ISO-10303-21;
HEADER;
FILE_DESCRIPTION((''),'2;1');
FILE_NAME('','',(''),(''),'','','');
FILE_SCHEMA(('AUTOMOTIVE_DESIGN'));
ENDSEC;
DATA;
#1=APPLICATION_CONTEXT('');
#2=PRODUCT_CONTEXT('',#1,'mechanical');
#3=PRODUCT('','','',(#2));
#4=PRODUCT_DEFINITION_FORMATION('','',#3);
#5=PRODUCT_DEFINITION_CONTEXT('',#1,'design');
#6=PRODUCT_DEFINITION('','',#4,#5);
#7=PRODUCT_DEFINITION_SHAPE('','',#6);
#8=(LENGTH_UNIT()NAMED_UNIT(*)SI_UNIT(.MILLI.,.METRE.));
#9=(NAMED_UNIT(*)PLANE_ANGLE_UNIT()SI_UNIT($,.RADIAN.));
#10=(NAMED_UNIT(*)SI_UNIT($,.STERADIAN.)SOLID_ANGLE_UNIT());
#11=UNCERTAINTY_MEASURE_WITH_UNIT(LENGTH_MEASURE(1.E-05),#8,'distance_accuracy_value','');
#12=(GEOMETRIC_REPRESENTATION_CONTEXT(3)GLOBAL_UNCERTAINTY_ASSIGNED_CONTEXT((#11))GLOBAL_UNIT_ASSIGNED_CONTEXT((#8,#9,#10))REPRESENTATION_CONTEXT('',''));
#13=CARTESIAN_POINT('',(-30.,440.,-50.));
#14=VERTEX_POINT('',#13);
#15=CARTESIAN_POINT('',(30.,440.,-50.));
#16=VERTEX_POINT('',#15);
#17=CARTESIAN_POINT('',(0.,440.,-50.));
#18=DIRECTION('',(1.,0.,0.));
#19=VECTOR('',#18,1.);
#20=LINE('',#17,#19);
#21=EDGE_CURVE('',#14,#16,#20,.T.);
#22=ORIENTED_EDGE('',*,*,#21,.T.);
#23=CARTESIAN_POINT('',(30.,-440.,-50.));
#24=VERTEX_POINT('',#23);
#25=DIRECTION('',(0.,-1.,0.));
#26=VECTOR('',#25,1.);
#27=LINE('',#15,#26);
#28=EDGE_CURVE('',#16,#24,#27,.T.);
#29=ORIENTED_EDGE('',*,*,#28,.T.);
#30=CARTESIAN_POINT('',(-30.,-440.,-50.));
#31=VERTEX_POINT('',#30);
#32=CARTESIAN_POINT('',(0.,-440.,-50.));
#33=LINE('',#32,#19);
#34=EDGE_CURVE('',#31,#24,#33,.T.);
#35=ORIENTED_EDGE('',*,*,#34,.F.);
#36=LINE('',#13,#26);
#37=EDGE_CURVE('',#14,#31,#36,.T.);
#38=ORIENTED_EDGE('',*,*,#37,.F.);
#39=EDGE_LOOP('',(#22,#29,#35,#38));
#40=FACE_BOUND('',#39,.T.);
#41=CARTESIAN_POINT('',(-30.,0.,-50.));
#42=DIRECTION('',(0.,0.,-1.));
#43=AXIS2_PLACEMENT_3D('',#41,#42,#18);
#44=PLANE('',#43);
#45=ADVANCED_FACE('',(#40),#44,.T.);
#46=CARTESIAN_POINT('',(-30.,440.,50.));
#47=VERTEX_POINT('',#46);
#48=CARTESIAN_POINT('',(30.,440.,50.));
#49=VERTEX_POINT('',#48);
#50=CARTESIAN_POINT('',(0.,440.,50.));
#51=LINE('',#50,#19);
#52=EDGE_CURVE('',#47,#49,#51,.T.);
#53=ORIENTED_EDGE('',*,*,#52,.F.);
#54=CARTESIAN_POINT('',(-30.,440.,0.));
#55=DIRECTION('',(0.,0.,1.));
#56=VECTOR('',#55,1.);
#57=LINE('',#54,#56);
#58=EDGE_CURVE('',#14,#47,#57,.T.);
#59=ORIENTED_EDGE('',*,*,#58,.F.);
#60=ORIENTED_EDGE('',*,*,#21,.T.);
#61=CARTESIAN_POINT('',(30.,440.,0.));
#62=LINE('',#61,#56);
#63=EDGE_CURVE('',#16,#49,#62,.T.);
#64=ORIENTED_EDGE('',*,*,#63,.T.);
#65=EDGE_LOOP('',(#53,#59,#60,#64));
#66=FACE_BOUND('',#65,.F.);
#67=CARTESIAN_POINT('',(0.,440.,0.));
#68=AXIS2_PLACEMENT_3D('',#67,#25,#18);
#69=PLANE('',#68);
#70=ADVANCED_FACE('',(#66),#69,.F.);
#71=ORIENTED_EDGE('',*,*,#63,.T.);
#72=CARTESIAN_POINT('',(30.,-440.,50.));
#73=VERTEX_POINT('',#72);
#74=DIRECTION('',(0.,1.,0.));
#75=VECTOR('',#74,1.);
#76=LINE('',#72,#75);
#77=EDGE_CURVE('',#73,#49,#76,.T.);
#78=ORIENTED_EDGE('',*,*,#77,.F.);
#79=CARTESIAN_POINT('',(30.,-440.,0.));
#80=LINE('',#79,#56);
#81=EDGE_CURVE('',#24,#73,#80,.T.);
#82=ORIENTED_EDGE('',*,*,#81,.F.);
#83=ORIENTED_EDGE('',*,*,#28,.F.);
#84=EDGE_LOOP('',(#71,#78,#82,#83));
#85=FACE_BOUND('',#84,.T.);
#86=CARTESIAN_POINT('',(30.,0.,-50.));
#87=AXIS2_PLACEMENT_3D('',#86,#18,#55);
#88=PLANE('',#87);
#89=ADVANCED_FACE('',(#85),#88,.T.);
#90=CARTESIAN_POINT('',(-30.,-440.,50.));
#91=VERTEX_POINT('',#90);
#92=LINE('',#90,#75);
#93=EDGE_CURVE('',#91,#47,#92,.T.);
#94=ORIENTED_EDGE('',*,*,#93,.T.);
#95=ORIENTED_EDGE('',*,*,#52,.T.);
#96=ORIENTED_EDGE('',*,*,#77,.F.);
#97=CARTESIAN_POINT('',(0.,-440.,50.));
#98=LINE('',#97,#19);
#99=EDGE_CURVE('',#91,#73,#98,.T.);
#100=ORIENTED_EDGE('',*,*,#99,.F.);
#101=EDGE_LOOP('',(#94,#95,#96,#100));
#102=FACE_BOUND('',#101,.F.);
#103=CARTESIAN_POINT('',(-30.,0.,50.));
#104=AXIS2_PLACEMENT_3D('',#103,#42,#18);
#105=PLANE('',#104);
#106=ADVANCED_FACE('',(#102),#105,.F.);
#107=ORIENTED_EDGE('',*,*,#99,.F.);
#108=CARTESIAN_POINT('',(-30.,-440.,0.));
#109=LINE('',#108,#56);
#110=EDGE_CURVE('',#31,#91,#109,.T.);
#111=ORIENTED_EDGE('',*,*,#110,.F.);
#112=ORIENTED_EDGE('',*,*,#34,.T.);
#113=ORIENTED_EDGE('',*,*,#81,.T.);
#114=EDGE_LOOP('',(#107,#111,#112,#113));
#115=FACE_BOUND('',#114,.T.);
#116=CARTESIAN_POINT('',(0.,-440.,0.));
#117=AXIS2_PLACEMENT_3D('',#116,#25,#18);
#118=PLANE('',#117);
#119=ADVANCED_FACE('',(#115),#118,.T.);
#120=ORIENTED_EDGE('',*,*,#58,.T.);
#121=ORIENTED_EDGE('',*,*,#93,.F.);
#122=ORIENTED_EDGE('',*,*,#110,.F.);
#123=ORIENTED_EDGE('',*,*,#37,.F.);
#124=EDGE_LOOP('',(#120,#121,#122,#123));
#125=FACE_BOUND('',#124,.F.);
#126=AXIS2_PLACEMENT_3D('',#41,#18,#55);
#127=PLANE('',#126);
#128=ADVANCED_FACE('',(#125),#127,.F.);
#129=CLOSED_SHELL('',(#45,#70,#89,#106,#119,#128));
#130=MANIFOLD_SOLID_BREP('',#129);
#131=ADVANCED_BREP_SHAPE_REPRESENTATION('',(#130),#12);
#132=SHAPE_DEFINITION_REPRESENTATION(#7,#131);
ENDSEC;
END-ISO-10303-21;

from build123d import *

# Parameters (mm, degrees)
SKETCH_W  = 60
SKETCH_H  = 100
PAD_DEPTH = 440


with BuildPart() as part:
    # Sketch → Pad (new body, symmetric)
    with BuildSketch(Plane.XZ):
        Rectangle(SKETCH_W, SKETCH_H)
    extrude(amount=PAD_DEPTH, both=True)


solid = part.part
